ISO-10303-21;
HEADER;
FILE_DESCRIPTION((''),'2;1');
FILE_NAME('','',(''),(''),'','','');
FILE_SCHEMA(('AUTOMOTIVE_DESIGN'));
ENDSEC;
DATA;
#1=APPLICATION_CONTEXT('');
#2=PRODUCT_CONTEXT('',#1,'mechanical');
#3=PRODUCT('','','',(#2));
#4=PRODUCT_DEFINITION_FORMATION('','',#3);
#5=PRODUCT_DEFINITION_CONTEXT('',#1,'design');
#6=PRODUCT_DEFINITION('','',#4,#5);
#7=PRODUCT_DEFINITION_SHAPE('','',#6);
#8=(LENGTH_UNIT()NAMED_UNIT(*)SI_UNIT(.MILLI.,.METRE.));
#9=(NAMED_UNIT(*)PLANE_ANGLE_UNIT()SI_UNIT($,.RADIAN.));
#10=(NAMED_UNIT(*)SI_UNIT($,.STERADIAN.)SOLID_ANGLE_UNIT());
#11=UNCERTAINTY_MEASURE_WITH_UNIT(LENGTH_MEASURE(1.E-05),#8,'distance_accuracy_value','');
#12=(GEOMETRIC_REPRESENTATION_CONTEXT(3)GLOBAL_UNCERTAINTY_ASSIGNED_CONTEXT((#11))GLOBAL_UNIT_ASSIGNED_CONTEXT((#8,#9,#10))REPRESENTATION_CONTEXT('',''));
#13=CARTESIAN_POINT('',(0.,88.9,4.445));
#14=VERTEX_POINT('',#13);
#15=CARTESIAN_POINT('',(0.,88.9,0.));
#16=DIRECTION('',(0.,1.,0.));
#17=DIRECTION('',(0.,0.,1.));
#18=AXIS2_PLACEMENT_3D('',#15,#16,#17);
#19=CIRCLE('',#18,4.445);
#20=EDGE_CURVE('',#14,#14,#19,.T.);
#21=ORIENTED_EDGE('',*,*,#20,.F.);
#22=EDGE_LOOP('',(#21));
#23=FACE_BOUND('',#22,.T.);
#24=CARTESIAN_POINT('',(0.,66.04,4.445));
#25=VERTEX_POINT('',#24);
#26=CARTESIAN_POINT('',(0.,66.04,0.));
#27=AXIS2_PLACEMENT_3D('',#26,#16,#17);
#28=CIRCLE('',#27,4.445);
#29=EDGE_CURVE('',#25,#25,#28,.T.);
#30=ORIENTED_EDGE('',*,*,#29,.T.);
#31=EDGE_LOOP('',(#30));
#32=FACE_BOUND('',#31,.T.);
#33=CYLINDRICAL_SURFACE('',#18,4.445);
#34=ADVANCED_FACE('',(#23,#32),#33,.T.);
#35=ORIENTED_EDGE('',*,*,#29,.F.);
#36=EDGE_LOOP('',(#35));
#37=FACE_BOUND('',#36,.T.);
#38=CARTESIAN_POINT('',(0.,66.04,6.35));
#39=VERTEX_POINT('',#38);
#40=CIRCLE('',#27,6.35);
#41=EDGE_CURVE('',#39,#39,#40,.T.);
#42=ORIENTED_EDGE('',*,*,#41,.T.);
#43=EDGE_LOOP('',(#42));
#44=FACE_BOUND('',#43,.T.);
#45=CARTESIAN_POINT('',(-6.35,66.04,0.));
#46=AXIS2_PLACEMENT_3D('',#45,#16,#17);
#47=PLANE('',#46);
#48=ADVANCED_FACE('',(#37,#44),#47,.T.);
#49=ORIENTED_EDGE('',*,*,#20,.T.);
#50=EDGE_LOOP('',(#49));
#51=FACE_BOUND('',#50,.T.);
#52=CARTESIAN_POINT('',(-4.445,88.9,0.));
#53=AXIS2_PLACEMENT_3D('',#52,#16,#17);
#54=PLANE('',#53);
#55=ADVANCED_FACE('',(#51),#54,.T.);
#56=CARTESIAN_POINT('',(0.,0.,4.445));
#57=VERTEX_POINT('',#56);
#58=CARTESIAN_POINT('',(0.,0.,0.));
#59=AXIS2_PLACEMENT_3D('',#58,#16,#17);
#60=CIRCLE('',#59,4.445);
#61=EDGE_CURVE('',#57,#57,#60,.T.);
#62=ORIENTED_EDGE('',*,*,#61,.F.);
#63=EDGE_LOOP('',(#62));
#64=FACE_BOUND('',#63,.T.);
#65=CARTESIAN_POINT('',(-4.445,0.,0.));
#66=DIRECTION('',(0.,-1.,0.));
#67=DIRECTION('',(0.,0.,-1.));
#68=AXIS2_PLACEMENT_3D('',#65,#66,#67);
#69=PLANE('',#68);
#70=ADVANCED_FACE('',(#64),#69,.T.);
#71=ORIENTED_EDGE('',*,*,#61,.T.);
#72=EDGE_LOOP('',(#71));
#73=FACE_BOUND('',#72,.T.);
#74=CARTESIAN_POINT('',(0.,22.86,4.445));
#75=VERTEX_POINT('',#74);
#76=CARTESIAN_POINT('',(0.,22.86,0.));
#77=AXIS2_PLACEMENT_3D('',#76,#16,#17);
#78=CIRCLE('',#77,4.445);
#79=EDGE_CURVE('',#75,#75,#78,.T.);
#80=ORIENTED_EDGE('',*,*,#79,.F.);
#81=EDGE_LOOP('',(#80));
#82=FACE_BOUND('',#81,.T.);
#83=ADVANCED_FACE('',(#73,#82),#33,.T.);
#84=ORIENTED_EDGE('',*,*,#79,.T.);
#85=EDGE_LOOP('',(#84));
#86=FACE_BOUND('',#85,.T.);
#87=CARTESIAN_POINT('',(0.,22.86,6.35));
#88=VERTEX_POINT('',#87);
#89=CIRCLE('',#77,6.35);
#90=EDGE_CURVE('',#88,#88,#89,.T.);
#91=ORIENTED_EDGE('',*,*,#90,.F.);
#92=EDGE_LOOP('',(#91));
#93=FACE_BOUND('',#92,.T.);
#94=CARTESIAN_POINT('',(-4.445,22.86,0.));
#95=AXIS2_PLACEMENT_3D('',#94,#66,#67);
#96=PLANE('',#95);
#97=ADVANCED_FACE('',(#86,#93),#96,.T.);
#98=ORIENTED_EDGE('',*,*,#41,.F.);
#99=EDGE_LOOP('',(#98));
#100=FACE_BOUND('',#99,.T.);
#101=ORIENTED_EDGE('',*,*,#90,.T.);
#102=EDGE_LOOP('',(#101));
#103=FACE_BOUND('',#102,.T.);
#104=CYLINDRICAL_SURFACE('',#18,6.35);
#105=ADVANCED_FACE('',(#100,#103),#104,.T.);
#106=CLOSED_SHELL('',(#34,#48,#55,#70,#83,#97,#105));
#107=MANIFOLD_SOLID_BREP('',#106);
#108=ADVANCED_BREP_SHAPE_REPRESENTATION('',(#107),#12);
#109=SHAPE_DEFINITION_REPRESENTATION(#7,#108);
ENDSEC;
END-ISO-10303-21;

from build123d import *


with BuildPart() as part:
    # Sketch1 → Revolve1 (revolve)
    with BuildSketch(Plane.XY, mode=Mode.PRIVATE) as revolve1_sk:
        Polygon((-4.445, 0), (-4.445, 22.86), (-6.35, 22.86), (-6.35, 66.04), (-4.445, 66.04), (-4.445, 88.9), (0, 88.9), (0, 0), align=None)
    revolve(revolve1_sk.sketch.rotate(Axis((0, 88.9, 0), (0, -1, 0)), 270), axis=Axis((0, 88.9, 0), (0, -1, 0)))


solid = part.part
